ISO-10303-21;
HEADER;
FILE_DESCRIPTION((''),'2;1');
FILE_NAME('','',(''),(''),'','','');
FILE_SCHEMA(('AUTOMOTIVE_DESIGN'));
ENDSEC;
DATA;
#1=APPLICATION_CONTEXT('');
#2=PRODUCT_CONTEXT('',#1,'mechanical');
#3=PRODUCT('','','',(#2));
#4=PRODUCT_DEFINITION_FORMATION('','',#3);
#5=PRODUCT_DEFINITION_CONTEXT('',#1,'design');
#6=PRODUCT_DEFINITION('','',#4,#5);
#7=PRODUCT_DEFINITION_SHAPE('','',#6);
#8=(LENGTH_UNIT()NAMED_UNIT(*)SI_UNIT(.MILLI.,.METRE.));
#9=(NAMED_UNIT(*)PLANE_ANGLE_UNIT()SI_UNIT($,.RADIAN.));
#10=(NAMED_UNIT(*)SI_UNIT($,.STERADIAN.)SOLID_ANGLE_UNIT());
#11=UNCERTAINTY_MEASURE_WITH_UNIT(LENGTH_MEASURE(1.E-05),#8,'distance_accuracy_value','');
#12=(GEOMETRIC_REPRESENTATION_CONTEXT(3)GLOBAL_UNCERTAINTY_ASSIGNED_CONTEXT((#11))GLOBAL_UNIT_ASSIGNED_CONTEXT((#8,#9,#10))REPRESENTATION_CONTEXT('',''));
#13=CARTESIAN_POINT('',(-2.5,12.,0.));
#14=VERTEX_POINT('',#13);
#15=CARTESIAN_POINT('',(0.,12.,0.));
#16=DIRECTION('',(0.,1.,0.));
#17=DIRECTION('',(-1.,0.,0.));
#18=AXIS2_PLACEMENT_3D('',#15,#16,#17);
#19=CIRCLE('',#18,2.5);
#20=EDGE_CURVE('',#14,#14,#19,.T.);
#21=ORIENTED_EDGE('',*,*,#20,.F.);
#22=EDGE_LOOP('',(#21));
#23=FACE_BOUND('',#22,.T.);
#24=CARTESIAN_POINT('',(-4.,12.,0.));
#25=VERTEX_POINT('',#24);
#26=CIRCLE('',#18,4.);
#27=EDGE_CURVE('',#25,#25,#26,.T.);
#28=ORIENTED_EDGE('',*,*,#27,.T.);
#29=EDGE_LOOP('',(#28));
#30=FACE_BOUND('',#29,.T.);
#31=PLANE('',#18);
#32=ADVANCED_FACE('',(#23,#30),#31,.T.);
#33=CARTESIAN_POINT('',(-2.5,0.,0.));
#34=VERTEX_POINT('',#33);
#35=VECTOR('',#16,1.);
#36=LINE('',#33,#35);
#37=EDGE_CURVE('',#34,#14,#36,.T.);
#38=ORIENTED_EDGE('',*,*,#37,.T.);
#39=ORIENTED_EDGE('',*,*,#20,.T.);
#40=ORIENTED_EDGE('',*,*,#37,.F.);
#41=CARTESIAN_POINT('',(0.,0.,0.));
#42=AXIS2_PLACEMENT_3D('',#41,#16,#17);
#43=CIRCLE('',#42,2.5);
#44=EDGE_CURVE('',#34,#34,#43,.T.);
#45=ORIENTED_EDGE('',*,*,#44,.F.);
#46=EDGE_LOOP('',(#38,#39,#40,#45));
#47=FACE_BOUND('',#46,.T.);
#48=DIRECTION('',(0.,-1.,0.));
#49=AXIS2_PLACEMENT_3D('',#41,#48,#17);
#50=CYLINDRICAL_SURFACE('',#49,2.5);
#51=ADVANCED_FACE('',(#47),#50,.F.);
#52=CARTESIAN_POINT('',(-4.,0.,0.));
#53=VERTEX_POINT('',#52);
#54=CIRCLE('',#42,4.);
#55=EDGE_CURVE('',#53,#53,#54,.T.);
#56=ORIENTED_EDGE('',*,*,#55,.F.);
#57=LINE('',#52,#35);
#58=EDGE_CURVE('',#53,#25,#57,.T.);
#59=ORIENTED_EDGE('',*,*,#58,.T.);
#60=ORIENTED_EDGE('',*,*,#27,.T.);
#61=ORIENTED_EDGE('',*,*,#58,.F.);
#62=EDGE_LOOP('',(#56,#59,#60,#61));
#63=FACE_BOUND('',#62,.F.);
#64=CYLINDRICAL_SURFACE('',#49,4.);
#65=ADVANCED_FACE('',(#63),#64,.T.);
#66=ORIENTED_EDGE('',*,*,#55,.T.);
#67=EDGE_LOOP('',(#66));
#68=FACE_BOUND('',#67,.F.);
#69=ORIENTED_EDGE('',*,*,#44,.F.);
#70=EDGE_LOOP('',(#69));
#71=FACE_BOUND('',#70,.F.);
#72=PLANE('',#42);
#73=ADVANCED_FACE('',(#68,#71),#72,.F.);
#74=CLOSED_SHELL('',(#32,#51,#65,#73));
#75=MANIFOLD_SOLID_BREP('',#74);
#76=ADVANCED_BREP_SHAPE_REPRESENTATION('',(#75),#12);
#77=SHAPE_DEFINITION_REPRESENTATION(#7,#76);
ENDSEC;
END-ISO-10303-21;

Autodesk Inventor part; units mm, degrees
ref_plane "YZ Plane" through (0, 0, 0) normal (1, 0, 0) x (0, 1, 0)
ref_plane "XZ Plane" through (0, 0, 0) normal (0, 1, 0) x (-1, 0, 0)
ref_plane "XY Plane" through (0, 0, 0) normal (0, 0, 1) x (1, 0, 0)
sketch "Sketch1" plane through (0, 0, 0) normal (0, 1, 0) x (-1, 0, 0)
  circle A0 centre (0, 0) radius 2.5
  circle A1 centre (0, 0) radius 4
  dimension "d0" = 5
  dimension "d1" = 8
extrude "Extrusion1" add sketch "Sketch1" along normal blind 12
properties part number "egzantrikNut"
